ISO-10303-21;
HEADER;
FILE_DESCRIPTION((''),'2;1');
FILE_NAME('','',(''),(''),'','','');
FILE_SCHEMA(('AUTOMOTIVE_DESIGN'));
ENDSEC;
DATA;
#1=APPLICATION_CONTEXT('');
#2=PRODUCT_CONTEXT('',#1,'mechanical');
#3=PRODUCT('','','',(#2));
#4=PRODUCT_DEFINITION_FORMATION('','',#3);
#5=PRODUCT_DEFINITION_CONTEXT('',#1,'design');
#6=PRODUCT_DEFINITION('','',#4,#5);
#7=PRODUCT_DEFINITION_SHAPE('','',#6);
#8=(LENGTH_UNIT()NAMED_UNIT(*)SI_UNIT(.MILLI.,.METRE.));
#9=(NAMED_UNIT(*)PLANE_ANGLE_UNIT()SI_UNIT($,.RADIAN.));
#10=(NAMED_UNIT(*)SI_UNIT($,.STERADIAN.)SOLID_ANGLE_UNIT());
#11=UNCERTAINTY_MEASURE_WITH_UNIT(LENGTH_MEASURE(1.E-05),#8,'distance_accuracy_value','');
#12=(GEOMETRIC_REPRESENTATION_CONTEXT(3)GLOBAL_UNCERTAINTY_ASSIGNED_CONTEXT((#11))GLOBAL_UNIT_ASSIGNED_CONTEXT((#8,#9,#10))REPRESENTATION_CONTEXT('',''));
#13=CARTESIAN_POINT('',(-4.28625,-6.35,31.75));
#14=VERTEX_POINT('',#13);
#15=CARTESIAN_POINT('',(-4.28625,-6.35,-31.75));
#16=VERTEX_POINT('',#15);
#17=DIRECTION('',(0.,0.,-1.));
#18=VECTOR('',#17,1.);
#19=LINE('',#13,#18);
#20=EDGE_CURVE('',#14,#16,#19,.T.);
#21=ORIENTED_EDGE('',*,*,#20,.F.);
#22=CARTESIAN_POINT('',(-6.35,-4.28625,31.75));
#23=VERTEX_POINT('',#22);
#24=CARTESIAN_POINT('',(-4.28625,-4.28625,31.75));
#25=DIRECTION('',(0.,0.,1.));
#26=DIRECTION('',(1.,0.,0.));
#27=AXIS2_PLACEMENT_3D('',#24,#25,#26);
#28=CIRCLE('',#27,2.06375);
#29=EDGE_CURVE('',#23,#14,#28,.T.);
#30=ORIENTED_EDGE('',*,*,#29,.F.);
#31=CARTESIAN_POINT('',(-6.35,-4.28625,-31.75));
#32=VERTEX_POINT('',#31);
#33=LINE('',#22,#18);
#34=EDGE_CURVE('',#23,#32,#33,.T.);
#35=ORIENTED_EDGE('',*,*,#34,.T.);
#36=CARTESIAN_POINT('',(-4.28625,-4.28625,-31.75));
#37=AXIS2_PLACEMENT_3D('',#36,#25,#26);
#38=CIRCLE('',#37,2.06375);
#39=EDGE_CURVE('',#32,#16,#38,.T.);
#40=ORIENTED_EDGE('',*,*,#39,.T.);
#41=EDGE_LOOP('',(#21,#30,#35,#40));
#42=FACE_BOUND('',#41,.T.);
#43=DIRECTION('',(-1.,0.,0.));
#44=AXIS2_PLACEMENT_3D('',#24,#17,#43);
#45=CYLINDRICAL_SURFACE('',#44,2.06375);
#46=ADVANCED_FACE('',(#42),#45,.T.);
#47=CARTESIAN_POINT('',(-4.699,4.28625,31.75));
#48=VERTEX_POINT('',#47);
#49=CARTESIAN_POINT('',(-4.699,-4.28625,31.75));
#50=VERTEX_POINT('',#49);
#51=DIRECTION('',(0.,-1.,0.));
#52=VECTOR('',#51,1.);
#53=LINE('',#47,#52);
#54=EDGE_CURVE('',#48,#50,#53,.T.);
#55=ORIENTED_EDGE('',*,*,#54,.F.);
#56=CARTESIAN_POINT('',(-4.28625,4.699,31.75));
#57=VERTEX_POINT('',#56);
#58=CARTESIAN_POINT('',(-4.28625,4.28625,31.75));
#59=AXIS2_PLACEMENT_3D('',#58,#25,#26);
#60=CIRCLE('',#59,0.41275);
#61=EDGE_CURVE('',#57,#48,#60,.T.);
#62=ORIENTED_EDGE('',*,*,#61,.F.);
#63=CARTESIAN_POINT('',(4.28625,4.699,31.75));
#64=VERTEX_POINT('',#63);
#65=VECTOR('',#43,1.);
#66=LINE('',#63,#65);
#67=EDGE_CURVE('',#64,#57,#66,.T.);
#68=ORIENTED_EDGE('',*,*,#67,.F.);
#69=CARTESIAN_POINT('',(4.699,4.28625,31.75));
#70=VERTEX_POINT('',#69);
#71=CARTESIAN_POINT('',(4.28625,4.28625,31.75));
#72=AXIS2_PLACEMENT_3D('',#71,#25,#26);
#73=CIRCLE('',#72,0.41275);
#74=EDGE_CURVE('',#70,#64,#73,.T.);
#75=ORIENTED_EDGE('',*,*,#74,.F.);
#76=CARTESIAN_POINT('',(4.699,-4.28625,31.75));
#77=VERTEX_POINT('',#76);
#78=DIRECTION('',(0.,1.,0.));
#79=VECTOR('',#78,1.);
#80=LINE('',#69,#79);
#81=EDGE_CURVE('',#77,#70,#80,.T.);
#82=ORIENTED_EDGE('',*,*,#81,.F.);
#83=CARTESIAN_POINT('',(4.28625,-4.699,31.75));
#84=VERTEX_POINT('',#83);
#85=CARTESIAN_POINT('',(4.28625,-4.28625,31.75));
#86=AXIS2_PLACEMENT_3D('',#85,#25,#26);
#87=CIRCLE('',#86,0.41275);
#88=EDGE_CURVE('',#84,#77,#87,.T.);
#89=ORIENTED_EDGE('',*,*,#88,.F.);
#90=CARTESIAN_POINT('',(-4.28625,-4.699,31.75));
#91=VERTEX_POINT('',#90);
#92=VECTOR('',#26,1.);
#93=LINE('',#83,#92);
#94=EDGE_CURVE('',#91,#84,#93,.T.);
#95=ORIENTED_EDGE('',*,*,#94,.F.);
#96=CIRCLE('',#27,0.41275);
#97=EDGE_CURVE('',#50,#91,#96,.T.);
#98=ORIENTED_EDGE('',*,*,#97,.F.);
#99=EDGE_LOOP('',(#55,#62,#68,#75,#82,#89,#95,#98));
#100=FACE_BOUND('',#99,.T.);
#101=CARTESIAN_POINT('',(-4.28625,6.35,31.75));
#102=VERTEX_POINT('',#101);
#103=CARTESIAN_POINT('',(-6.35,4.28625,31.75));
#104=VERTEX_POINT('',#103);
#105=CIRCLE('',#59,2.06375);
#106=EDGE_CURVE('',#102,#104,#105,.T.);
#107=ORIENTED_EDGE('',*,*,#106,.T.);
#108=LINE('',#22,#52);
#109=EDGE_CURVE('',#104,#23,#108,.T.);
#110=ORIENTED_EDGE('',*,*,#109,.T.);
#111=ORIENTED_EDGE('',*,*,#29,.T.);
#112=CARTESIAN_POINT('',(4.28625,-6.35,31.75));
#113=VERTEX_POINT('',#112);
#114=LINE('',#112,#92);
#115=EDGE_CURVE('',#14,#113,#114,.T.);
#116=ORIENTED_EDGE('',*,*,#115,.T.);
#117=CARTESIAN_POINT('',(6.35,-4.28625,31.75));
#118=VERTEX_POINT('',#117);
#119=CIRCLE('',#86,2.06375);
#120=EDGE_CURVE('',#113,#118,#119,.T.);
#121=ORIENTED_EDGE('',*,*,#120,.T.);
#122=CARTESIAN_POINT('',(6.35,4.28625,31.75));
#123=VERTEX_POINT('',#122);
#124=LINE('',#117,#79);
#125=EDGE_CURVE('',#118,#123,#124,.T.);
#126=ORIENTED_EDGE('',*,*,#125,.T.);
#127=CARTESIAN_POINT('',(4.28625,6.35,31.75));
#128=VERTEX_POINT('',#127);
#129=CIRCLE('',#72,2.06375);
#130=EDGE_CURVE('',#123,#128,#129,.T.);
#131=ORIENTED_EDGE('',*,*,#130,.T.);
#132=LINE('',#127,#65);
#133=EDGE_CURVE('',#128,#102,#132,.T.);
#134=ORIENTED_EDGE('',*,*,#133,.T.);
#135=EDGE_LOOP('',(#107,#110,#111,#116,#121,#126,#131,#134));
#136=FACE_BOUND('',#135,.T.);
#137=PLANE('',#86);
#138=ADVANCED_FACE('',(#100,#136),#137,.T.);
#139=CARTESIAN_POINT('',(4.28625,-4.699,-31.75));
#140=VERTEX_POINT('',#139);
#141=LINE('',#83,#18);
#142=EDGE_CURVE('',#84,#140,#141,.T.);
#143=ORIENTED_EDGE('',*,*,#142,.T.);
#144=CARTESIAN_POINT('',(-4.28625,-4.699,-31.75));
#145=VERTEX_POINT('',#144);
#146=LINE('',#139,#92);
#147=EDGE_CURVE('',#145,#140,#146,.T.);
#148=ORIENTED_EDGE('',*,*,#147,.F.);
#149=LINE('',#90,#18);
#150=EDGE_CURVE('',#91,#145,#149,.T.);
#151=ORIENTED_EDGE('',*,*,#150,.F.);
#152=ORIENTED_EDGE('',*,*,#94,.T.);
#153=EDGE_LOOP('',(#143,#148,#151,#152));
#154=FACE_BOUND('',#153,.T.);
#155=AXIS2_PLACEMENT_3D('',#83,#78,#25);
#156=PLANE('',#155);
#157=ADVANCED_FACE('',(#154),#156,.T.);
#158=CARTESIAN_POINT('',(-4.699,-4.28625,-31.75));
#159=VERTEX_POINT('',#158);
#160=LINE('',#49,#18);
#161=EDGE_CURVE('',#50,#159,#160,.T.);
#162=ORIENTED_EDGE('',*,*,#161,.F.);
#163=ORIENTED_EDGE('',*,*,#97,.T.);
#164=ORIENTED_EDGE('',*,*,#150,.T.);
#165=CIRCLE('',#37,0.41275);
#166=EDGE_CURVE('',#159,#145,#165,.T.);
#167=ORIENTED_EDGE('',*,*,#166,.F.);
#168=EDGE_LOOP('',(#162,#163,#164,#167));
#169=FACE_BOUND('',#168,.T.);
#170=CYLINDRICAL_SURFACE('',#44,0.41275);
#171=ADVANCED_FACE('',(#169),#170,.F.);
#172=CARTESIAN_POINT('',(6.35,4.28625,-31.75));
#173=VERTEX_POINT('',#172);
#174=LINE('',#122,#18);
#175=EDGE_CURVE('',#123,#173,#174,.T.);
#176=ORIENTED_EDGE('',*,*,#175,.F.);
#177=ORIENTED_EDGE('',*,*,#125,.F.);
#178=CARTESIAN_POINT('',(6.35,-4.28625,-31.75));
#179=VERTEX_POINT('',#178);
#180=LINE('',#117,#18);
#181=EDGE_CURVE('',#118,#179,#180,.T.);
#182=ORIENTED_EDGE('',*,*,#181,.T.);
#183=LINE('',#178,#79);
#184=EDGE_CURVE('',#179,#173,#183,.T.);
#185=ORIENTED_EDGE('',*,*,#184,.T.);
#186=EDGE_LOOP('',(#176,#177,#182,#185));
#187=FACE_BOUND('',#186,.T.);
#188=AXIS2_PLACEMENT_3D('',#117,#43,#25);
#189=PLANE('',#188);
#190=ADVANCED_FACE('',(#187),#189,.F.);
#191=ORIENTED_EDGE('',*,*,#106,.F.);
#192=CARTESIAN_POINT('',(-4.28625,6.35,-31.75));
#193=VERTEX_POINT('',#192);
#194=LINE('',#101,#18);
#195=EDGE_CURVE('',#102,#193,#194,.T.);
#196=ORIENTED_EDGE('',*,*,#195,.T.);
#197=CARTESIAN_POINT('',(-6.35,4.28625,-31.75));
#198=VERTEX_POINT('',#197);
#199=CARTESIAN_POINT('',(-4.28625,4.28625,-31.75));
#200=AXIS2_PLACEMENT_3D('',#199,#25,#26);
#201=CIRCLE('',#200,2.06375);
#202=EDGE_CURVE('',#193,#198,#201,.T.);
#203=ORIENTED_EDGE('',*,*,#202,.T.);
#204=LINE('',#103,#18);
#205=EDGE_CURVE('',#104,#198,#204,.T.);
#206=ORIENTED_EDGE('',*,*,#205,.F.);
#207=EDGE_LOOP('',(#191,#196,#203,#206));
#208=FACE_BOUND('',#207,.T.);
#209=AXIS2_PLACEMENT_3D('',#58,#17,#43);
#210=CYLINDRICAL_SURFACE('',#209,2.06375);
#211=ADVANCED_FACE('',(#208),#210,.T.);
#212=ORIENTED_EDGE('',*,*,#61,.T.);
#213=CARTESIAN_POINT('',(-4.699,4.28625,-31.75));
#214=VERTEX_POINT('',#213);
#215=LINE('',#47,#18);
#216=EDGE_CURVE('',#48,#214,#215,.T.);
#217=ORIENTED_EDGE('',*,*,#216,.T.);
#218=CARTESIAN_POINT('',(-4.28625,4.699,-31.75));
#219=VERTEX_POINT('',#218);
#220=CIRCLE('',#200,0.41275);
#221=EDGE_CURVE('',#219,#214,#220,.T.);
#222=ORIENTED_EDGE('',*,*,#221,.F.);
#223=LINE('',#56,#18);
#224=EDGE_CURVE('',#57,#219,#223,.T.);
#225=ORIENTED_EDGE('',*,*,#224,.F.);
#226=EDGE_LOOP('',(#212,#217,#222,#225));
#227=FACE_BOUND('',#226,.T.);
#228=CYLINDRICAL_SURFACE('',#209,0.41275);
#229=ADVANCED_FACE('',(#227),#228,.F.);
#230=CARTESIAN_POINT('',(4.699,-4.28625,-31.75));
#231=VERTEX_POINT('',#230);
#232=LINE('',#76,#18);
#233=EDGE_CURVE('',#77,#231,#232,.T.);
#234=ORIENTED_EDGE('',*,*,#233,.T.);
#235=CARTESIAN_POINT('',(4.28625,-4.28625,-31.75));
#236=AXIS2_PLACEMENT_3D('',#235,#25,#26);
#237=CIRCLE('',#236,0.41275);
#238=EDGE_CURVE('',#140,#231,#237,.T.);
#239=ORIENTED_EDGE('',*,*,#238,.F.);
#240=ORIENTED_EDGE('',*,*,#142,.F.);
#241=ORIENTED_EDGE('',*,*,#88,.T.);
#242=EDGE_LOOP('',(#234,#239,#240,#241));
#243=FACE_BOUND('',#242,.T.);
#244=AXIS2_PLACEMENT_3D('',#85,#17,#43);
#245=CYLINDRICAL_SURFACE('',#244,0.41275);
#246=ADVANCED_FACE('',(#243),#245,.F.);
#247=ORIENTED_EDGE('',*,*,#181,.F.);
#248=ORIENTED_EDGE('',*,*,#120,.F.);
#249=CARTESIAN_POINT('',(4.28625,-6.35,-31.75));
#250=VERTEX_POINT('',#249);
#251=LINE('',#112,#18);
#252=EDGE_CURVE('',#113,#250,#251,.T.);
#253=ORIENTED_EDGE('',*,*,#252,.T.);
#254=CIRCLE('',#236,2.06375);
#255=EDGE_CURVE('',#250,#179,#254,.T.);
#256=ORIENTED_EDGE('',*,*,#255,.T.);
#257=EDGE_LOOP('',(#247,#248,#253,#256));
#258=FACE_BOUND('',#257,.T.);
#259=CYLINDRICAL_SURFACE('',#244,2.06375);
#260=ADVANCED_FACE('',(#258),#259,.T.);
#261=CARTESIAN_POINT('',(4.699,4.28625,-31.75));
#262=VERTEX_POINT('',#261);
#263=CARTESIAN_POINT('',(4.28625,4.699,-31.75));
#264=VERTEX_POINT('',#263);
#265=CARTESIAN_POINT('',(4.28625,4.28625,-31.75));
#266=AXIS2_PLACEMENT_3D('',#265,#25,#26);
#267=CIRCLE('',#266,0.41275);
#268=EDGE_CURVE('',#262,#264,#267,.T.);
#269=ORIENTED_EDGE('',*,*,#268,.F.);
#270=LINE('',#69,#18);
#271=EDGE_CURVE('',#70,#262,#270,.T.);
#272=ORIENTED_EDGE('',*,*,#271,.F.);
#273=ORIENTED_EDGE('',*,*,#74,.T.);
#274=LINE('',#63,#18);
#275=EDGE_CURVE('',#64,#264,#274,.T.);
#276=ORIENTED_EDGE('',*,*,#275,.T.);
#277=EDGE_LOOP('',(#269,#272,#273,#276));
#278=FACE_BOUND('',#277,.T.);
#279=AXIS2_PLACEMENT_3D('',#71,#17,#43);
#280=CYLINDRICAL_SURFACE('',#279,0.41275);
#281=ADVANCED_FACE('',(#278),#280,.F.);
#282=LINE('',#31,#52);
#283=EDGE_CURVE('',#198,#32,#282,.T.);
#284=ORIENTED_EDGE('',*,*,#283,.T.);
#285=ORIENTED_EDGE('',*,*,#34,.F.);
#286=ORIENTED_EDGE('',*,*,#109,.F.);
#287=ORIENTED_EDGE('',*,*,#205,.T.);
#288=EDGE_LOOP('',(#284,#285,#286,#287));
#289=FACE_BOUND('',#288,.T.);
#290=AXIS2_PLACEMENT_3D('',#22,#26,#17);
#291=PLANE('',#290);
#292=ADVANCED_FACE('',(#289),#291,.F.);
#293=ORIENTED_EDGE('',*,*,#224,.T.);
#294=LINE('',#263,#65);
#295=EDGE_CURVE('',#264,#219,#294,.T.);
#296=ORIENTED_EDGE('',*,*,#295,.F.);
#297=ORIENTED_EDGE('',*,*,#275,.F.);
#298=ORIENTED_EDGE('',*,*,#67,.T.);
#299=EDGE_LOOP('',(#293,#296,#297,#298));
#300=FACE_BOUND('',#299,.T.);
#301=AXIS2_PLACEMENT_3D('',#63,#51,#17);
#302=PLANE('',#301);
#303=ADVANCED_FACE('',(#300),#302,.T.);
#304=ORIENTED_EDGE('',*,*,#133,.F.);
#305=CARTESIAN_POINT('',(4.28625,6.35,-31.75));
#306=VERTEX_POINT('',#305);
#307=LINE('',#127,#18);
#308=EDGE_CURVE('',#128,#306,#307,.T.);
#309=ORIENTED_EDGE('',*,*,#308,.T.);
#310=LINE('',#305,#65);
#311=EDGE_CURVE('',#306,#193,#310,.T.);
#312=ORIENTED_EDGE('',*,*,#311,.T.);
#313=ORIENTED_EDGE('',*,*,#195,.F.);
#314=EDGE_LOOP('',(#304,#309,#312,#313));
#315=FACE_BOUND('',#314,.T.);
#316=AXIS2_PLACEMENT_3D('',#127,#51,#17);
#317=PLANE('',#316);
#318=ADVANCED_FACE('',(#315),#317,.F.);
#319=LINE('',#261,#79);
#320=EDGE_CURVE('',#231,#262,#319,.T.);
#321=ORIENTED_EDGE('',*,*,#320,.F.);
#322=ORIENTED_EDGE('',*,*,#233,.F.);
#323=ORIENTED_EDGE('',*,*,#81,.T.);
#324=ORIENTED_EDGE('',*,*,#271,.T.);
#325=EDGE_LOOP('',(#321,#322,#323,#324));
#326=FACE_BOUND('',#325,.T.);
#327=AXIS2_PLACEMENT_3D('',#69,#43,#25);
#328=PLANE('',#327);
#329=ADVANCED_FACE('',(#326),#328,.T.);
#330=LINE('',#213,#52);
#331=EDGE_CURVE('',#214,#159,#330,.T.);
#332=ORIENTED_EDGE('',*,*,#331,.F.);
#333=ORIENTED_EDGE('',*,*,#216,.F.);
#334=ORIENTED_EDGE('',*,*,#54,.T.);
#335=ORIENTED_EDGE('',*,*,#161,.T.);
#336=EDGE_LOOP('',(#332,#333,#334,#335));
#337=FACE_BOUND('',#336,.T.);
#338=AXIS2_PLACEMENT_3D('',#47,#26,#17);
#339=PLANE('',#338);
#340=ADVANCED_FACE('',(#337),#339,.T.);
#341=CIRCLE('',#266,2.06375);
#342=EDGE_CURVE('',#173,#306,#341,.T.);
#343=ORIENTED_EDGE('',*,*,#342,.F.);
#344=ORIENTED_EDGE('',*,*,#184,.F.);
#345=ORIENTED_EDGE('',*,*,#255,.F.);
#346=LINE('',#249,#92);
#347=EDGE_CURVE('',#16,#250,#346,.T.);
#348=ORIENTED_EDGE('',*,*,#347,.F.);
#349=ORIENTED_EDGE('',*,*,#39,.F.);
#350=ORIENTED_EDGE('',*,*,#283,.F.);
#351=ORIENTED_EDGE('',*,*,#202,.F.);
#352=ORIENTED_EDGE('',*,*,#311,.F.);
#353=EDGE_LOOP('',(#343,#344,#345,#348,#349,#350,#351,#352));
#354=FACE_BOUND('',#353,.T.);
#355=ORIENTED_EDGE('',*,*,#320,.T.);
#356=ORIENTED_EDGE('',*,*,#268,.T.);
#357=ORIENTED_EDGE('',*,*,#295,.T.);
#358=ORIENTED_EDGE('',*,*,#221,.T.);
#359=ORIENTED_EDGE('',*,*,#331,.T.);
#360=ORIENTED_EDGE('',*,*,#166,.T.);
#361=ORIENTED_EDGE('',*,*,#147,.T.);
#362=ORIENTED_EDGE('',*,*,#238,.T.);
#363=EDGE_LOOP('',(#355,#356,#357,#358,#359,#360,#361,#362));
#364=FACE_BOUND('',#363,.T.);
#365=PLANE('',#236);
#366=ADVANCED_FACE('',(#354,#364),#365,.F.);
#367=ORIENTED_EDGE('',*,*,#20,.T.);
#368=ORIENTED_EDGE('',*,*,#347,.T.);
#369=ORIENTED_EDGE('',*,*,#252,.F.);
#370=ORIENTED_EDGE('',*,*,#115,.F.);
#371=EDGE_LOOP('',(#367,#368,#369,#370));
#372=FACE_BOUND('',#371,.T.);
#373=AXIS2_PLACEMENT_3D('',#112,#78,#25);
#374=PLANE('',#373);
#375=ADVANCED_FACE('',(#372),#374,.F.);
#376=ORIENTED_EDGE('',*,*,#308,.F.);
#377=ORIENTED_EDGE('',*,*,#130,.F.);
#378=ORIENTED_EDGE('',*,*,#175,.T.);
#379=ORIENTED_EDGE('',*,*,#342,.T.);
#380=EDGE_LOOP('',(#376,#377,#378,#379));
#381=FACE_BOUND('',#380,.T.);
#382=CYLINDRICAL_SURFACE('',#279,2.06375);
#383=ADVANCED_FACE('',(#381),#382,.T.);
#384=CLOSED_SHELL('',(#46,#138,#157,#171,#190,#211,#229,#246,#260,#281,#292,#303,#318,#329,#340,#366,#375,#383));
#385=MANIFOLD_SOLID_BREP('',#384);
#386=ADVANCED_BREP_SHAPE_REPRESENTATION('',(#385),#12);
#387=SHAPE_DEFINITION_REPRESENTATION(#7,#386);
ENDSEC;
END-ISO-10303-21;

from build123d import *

# Parameters (mm, degrees)
BOSS_EXTRUDE1_DEPTH = 31.75


with BuildPart() as part:
    # Sketch4 → Boss-Extrude1 (new body, symmetric)
    with BuildSketch(Plane.XY):
        with BuildLine():
            Line((6.35, -4.28625), (6.35, 4.28625))
            ThreePointArc((6.35, 4.28625), (5.74554162, 5.74554162), (4.28625, 6.35))
            Line((4.28625, 6.35), (-4.28625, 6.35))
            ThreePointArc((-4.28625, 6.35), (-5.74554162, 5.74554162), (-6.35, 4.28625))
            Line((-6.35, 4.28625), (-6.35, -4.28625))
            ThreePointArc((-6.35, -4.28625), (-5.74554162, -5.74554162), (-4.28625, -6.35))
            Line((-4.28625, -6.35), (4.28625, -6.35))
            ThreePointArc((4.28625, -6.35), (5.74554162, -5.74554162), (6.35, -4.28625))
        make_face()
        with BuildLine():
            Line((4.699, 4.28625), (4.699, -4.28625))
            ThreePointArc((4.699, -4.28625), (4.578108324, -4.578108324), (4.28625, -4.699))
            Line((4.28625, -4.699), (-4.28625, -4.699))
            ThreePointArc((-4.28625, -4.699), (-4.578108324, -4.578108324), (-4.699, -4.28625))
            Line((-4.699, -4.28625), (-4.699, 4.28625))
            ThreePointArc((-4.699, 4.28625), (-4.578108324, 4.578108324), (-4.28625, 4.699))
            Line((-4.28625, 4.699), (4.28625, 4.699))
            ThreePointArc((4.28625, 4.699), (4.578108324, 4.578108324), (4.699, 4.28625))
        make_face(mode=Mode.SUBTRACT)
    extrude(amount=BOSS_EXTRUDE1_DEPTH, both=True)


solid = part.part
